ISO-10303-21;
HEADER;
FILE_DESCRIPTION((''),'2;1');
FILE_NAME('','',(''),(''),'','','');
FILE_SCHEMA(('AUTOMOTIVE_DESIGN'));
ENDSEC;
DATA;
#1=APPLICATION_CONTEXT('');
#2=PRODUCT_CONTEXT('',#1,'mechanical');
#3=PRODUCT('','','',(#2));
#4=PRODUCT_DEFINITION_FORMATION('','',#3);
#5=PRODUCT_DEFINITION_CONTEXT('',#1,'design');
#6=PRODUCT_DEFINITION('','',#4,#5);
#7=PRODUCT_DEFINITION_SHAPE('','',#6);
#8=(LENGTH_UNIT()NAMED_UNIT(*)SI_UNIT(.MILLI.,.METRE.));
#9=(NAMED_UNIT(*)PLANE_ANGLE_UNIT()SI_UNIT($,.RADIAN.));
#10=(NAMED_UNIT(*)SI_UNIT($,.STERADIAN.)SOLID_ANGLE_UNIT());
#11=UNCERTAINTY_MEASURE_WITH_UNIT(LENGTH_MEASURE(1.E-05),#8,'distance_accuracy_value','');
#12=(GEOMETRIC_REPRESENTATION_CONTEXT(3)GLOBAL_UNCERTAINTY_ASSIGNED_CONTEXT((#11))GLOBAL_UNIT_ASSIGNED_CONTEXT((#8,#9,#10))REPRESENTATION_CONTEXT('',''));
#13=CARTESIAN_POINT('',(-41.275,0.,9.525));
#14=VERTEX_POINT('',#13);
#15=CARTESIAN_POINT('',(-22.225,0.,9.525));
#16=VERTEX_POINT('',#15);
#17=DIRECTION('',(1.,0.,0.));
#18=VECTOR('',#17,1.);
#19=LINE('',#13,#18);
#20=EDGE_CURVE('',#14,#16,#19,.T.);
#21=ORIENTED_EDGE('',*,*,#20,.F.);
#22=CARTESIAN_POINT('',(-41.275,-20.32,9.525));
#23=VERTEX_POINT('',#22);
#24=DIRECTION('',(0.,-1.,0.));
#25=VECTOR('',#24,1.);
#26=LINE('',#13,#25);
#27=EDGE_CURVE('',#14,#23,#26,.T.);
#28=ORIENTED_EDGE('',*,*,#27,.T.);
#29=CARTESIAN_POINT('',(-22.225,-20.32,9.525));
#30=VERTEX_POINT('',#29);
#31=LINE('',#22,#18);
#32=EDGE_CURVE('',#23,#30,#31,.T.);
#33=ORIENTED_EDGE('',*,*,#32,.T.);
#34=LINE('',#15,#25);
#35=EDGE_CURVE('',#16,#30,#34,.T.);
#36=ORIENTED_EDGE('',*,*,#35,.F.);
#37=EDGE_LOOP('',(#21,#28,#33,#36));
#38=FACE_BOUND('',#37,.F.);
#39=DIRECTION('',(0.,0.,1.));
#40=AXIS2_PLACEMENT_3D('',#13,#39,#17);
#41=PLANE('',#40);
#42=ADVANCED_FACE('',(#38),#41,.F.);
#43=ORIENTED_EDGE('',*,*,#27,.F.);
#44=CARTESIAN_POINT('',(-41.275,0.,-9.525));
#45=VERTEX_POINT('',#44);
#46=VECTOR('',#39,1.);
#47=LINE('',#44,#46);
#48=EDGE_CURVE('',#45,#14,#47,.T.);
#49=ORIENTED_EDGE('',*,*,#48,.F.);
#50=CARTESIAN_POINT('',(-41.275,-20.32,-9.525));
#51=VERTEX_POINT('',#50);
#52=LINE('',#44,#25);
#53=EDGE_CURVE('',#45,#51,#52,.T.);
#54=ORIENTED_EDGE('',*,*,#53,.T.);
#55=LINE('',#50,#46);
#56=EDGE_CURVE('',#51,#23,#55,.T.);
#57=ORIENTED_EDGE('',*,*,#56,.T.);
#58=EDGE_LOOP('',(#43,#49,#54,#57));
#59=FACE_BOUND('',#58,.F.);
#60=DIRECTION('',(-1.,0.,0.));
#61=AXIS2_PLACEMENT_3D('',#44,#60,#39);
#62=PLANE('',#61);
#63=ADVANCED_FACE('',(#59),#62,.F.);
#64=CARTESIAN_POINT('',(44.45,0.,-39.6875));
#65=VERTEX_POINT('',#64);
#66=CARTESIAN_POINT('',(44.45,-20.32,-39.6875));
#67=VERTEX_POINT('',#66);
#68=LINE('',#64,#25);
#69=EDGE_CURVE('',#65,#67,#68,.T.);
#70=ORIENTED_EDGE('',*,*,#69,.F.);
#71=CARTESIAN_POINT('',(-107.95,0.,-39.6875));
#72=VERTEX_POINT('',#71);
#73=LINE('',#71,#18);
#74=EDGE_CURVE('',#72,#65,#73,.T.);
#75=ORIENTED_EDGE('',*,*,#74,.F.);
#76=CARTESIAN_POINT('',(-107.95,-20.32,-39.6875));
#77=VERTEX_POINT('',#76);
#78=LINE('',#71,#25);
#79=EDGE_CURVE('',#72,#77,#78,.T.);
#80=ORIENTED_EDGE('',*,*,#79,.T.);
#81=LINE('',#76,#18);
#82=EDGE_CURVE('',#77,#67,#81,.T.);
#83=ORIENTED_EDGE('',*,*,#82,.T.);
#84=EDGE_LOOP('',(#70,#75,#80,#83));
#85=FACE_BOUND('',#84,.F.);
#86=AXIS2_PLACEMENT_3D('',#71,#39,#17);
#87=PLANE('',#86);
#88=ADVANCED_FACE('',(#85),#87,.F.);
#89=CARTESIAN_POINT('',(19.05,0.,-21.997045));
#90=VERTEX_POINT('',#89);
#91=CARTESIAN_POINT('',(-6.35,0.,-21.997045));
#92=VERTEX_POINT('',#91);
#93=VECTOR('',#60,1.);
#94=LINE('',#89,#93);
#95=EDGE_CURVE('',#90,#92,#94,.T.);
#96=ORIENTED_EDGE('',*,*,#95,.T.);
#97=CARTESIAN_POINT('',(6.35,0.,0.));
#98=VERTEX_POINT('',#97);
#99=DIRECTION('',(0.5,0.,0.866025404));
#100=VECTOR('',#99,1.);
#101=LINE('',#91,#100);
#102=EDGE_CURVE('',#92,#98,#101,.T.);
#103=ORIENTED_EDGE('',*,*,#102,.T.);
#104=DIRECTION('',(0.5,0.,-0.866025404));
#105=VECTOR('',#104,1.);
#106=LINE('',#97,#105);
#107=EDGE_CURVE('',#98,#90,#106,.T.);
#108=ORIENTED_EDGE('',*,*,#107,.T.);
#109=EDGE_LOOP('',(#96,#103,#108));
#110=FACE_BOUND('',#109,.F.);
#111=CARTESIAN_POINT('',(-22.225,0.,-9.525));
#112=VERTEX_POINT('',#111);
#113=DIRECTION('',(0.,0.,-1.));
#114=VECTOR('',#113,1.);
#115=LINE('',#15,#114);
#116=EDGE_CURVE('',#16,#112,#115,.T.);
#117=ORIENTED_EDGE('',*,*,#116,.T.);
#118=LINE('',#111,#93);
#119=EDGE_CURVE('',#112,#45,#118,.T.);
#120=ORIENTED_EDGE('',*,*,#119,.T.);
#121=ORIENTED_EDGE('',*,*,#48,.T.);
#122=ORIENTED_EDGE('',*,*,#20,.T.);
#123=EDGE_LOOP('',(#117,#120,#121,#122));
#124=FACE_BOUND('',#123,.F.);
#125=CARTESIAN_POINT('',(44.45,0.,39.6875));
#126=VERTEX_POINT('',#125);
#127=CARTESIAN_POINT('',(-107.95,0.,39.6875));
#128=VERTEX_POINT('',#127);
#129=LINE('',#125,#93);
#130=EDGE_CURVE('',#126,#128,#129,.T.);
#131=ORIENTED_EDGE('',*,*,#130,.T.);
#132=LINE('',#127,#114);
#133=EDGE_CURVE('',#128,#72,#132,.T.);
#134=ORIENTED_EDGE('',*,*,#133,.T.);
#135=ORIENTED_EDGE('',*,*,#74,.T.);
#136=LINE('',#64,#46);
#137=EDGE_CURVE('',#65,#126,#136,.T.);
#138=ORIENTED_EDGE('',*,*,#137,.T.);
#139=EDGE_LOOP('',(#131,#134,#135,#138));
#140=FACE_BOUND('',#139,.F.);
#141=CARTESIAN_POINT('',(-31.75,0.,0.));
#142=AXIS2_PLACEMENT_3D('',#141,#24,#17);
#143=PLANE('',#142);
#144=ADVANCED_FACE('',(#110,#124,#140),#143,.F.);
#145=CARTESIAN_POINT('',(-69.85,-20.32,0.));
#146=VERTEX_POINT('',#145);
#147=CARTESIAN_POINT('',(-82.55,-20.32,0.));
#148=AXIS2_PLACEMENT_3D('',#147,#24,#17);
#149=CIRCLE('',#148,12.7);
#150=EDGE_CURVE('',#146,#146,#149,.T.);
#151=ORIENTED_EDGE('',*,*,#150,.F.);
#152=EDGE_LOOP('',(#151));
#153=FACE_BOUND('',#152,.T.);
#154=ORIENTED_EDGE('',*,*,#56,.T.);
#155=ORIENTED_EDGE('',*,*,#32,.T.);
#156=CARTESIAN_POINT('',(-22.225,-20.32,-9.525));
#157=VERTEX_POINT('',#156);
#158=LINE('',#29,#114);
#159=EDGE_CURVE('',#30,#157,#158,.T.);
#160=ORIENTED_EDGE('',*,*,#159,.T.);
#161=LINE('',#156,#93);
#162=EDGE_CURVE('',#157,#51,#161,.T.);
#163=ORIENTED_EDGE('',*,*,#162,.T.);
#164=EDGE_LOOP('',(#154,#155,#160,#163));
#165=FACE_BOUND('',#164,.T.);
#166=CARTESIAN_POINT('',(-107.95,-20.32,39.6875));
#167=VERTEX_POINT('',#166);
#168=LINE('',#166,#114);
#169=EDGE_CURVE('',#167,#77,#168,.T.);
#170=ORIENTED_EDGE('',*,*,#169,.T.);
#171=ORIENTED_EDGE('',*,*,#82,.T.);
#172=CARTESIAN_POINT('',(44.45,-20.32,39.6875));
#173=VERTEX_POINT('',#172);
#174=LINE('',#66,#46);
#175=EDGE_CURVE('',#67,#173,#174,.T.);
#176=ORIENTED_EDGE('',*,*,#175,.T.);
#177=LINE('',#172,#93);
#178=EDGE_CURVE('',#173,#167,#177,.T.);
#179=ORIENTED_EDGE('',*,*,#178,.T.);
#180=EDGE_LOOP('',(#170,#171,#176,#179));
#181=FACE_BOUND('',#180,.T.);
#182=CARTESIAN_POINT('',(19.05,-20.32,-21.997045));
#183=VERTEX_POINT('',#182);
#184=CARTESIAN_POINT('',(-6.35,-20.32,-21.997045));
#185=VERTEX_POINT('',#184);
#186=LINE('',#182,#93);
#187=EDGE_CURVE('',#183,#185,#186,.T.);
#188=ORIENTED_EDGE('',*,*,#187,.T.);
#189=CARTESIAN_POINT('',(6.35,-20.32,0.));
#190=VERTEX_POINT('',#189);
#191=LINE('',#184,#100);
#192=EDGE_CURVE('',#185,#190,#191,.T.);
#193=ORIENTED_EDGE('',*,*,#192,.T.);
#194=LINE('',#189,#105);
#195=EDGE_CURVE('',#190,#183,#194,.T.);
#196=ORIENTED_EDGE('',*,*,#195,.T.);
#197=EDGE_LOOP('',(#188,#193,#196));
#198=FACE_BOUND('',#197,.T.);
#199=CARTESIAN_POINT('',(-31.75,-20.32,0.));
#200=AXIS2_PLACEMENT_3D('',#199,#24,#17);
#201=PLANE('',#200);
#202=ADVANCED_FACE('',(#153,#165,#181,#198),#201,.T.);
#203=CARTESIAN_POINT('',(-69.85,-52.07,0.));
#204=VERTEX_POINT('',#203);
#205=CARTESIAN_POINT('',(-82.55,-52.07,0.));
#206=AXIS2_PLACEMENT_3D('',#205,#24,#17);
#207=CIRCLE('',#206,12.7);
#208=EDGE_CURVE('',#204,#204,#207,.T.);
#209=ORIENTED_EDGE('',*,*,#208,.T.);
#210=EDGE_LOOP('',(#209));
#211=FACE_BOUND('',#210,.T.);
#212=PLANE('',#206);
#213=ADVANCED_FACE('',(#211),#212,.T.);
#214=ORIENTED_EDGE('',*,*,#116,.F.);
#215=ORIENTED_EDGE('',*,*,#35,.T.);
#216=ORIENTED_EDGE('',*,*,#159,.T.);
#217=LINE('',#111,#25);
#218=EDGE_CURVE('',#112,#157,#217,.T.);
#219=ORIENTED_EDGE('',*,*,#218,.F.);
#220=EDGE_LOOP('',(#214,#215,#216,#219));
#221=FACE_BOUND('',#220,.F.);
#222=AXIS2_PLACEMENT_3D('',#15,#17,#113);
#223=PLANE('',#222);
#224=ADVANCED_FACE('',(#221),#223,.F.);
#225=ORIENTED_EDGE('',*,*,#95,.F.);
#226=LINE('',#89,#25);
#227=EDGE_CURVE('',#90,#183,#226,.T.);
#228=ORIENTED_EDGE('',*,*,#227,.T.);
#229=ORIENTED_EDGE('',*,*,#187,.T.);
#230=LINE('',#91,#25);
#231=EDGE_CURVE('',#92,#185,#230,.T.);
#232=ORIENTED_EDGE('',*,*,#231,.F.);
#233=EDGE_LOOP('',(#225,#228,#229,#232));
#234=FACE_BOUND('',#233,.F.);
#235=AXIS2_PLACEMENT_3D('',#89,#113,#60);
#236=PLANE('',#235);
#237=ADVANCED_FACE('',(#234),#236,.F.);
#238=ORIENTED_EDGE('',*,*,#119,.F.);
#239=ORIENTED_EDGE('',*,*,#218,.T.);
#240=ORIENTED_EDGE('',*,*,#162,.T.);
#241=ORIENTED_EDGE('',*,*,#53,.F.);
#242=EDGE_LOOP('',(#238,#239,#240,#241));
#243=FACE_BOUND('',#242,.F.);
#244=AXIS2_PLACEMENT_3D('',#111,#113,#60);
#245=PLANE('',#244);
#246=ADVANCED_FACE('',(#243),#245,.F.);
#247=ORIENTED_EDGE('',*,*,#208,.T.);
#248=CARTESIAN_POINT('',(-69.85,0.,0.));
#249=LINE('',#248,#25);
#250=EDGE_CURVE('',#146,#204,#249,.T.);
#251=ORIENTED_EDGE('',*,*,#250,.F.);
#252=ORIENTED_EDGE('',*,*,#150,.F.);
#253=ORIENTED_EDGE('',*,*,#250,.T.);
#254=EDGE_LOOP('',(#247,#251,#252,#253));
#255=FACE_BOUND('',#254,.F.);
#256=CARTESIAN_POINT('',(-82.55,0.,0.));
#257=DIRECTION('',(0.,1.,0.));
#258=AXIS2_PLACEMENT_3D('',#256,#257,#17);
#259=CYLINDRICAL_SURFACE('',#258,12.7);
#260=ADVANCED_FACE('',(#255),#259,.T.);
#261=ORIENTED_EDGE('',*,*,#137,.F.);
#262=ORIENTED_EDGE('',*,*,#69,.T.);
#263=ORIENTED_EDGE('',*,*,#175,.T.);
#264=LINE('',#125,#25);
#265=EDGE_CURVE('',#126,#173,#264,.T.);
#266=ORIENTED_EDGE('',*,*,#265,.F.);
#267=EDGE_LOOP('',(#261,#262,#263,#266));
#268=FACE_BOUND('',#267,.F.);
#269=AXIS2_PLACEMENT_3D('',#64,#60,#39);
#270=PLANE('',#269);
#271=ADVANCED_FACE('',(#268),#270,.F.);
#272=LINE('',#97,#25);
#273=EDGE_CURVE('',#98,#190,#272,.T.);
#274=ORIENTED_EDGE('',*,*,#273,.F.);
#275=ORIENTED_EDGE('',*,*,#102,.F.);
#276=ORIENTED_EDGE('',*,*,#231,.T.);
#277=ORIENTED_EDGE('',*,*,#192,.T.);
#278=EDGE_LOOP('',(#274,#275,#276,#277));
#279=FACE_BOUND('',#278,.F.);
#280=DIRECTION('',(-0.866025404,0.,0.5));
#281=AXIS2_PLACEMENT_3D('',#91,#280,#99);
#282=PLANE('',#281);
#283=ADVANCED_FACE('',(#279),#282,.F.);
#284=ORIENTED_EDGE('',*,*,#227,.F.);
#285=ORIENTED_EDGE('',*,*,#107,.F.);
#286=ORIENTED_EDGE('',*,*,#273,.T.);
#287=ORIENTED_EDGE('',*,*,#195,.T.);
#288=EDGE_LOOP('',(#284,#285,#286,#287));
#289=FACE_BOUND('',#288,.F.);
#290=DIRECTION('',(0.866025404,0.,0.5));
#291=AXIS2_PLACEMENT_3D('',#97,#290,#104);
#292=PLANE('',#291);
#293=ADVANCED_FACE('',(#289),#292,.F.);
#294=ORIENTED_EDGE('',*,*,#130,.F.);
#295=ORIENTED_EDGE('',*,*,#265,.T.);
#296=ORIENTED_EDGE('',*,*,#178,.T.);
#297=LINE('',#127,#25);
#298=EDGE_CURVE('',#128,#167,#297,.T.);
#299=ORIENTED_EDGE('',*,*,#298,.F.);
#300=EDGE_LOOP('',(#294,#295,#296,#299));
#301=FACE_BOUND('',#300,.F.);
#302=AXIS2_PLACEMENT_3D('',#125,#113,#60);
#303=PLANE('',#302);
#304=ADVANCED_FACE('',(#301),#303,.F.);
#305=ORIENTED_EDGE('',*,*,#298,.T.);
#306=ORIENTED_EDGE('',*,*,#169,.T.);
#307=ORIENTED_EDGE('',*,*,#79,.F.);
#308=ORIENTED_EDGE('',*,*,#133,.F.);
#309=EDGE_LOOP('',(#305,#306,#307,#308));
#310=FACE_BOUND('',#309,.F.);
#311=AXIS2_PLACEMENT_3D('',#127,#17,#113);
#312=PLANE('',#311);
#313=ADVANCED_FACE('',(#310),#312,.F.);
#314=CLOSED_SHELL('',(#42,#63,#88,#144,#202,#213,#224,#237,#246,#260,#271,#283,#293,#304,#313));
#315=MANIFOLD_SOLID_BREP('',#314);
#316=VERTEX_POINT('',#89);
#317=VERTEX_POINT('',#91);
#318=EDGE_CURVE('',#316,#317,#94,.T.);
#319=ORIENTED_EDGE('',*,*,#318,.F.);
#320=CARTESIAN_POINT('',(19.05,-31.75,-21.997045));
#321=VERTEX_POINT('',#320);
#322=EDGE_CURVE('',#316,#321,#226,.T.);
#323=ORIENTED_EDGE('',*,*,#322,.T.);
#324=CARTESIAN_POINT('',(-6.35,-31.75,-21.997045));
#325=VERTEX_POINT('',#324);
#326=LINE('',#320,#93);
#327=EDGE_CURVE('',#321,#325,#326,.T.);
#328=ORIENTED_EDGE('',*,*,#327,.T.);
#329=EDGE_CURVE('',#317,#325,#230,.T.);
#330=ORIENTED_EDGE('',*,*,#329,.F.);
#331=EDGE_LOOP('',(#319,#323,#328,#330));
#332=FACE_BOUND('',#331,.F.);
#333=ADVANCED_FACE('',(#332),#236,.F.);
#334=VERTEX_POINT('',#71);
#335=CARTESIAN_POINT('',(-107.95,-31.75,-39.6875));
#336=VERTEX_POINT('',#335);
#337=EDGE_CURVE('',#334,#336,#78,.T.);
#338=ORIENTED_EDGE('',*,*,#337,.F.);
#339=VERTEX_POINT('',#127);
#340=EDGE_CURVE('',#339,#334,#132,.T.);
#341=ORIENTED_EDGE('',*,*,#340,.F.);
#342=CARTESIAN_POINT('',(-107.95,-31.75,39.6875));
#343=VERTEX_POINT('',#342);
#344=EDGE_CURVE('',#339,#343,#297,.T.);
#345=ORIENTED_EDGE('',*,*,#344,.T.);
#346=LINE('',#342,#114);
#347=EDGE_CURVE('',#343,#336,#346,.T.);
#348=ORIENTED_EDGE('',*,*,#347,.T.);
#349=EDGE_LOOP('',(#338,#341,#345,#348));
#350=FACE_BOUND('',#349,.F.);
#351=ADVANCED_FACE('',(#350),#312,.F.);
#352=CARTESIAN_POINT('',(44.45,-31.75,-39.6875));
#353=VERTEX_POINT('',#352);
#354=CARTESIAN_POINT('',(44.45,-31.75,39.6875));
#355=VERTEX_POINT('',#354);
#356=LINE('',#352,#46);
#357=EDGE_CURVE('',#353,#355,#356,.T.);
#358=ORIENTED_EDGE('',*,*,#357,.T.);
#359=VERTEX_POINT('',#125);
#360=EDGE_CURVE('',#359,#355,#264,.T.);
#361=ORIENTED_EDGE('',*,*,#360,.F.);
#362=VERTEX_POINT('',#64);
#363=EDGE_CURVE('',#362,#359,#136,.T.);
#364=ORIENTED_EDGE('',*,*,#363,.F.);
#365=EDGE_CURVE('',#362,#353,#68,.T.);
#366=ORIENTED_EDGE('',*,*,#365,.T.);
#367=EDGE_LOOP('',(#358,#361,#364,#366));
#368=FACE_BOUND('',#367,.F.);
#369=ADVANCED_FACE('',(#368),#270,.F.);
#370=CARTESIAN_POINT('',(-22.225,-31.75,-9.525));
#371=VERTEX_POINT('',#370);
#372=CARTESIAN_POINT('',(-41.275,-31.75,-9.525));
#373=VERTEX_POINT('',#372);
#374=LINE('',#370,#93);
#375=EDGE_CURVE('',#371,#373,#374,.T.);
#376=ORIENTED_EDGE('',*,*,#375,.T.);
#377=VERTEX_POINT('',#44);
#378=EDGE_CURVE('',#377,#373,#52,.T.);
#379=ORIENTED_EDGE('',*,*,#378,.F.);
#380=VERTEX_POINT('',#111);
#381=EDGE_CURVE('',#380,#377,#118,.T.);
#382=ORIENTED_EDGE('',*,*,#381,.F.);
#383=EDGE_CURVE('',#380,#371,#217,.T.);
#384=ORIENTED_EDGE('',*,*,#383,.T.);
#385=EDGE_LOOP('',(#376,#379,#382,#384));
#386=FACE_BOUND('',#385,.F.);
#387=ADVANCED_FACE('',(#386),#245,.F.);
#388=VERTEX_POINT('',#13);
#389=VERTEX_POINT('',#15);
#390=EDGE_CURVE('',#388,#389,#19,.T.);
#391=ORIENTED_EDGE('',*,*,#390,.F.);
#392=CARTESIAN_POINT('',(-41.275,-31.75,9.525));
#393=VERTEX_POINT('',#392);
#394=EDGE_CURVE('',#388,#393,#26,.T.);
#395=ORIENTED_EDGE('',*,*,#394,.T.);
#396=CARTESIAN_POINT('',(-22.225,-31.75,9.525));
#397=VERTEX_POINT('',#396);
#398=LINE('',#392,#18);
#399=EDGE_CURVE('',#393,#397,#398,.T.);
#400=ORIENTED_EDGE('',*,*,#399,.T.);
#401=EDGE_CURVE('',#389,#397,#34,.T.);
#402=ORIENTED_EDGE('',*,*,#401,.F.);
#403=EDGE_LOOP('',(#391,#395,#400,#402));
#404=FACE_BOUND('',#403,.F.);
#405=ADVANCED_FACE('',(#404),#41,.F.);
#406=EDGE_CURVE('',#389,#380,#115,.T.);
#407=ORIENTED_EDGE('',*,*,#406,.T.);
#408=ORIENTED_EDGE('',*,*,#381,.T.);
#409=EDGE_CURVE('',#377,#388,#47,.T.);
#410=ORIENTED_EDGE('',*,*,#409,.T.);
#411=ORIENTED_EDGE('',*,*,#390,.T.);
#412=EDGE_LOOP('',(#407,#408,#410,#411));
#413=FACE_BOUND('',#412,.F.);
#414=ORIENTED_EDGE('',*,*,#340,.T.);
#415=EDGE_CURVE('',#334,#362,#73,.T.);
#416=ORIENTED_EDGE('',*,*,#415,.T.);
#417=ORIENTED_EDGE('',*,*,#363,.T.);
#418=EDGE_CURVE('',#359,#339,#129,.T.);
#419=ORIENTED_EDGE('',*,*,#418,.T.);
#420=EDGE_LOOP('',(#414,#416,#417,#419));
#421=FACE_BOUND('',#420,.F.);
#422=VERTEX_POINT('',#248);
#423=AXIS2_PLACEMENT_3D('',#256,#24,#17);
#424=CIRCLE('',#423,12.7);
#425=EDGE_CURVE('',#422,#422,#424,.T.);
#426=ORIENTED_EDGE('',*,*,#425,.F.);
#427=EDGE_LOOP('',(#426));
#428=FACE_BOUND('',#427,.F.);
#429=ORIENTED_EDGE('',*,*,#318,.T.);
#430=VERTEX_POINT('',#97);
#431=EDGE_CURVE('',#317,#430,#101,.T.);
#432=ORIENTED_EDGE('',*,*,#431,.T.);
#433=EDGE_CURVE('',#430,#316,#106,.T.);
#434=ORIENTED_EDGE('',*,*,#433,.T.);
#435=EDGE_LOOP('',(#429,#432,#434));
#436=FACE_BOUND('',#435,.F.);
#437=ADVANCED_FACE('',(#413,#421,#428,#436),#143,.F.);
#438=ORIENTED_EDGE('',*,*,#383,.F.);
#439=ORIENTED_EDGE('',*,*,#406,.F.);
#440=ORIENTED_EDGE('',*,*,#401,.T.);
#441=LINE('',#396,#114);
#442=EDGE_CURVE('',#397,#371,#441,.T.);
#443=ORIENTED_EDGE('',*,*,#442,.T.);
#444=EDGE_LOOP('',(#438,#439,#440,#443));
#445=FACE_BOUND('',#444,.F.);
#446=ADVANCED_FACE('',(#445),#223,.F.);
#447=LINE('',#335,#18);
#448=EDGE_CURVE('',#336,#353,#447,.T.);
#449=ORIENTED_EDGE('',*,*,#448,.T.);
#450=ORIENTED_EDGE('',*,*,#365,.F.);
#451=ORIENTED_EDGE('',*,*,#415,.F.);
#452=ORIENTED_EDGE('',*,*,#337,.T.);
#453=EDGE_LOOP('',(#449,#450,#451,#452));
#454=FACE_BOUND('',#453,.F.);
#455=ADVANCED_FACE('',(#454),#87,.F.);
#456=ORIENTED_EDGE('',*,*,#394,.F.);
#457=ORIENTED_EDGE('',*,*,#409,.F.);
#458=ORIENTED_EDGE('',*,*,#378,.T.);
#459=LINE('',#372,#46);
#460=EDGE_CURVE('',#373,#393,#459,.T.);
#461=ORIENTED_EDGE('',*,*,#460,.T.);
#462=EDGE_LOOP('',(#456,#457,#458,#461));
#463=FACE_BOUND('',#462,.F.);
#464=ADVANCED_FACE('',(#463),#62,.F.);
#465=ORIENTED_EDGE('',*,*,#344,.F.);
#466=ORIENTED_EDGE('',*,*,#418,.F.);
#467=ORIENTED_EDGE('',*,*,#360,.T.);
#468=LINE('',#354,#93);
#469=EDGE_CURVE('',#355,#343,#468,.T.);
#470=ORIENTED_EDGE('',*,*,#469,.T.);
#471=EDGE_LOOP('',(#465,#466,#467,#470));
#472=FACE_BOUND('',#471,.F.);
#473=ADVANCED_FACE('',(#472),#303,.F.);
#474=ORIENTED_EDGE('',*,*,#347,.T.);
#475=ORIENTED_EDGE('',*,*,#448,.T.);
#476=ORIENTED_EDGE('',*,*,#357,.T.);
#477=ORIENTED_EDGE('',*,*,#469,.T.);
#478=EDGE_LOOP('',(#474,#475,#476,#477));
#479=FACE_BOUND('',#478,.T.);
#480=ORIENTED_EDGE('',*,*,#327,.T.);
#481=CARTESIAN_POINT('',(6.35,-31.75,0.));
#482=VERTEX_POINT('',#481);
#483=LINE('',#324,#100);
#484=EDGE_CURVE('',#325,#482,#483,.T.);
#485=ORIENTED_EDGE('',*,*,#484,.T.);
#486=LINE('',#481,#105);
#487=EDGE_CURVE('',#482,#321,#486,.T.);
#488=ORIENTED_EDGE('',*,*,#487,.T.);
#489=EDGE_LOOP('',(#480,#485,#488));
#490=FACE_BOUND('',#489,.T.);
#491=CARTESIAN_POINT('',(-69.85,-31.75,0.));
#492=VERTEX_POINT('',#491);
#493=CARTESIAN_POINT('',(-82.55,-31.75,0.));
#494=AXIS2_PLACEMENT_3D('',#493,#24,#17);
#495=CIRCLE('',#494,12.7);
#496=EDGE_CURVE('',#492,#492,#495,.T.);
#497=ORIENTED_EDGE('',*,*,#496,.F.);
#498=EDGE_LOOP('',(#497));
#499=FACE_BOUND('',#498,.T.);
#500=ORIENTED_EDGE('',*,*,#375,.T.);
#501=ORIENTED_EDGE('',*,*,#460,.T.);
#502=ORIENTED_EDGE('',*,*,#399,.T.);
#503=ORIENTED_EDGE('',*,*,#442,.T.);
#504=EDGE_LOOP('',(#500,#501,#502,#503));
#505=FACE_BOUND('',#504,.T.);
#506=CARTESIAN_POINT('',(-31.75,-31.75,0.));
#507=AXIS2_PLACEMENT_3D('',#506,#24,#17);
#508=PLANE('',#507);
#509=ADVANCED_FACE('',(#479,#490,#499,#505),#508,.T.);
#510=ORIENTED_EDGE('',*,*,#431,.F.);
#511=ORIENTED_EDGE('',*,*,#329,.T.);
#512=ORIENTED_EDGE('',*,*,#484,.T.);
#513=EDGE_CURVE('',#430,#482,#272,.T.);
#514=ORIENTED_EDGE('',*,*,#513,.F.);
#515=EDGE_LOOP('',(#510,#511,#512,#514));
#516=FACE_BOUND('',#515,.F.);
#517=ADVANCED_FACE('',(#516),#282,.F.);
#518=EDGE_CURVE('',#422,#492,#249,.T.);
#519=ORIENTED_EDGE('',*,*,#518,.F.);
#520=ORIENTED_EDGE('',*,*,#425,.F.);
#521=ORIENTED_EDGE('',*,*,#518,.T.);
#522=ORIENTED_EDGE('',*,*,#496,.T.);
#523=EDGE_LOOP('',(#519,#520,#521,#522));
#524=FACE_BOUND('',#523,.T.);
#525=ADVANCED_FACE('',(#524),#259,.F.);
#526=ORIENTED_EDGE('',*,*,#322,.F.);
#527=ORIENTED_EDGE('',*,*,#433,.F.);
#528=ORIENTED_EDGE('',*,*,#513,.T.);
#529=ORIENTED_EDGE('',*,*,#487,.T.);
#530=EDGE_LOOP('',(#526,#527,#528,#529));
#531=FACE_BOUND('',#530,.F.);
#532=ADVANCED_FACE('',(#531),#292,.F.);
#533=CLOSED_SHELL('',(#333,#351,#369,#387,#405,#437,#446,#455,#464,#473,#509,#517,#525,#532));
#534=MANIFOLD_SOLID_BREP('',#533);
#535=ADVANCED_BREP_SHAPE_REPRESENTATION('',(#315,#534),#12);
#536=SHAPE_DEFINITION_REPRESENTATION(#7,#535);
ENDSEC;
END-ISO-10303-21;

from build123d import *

# Parameters (mm, degrees)
F0_R     = 12.7
F1_DEPTH = 52.07
F2_DEPTH = 20.32
F3_DEPTH = 31.75


with BuildPart() as f1:
    # F0 (on Front) → F1 (new body)
    with BuildSketch(Plane.XZ):
        with Locations((-82.55, 0)):
            Circle(F0_R)
    extrude(amount=F1_DEPTH)

    # F0 (on Front) → F2 (join)
    with BuildSketch(Plane.XZ):
        Polygon((44.45, -39.6875), (44.45, 0), (44.45, 39.6875), (-107.95, 39.6875), (-107.95, -39.6875), align=None)
        Polygon((-6.35, -21.9970452561), (6.35, 0), (19.05, -21.9970452561), align=None, mode=Mode.SUBTRACT)
        with Locations((-82.55, 0)):
            Circle(F0_R, mode=Mode.SUBTRACT)
        Polygon((-22.225, 9.525), (-22.225, 0), (-22.225, -9.525), (-41.275, -9.525), (-41.275, 0), (-41.275, 9.525), align=None, mode=Mode.SUBTRACT)
    extrude(amount=F2_DEPTH)


with BuildPart() as f3:
    # F0 (on Front) → F3 (new body)
    with BuildSketch(Plane.XZ):
        Polygon((44.45, -39.6875), (44.45, 0), (44.45, 39.6875), (-107.95, 39.6875), (-107.95, -39.6875), align=None)
        Polygon((-6.35, -21.9970452561), (6.35, 0), (19.05, -21.9970452561), align=None, mode=Mode.SUBTRACT)
        with Locations((-82.55, 0)):
            Circle(F0_R, mode=Mode.SUBTRACT)
        Polygon((-22.225, 9.525), (-22.225, 0), (-22.225, -9.525), (-41.275, -9.525), (-41.275, 0), (-41.275, 9.525), align=None, mode=Mode.SUBTRACT)
    extrude(amount=F3_DEPTH)


solid = Compound([f1.part, f3.part])
